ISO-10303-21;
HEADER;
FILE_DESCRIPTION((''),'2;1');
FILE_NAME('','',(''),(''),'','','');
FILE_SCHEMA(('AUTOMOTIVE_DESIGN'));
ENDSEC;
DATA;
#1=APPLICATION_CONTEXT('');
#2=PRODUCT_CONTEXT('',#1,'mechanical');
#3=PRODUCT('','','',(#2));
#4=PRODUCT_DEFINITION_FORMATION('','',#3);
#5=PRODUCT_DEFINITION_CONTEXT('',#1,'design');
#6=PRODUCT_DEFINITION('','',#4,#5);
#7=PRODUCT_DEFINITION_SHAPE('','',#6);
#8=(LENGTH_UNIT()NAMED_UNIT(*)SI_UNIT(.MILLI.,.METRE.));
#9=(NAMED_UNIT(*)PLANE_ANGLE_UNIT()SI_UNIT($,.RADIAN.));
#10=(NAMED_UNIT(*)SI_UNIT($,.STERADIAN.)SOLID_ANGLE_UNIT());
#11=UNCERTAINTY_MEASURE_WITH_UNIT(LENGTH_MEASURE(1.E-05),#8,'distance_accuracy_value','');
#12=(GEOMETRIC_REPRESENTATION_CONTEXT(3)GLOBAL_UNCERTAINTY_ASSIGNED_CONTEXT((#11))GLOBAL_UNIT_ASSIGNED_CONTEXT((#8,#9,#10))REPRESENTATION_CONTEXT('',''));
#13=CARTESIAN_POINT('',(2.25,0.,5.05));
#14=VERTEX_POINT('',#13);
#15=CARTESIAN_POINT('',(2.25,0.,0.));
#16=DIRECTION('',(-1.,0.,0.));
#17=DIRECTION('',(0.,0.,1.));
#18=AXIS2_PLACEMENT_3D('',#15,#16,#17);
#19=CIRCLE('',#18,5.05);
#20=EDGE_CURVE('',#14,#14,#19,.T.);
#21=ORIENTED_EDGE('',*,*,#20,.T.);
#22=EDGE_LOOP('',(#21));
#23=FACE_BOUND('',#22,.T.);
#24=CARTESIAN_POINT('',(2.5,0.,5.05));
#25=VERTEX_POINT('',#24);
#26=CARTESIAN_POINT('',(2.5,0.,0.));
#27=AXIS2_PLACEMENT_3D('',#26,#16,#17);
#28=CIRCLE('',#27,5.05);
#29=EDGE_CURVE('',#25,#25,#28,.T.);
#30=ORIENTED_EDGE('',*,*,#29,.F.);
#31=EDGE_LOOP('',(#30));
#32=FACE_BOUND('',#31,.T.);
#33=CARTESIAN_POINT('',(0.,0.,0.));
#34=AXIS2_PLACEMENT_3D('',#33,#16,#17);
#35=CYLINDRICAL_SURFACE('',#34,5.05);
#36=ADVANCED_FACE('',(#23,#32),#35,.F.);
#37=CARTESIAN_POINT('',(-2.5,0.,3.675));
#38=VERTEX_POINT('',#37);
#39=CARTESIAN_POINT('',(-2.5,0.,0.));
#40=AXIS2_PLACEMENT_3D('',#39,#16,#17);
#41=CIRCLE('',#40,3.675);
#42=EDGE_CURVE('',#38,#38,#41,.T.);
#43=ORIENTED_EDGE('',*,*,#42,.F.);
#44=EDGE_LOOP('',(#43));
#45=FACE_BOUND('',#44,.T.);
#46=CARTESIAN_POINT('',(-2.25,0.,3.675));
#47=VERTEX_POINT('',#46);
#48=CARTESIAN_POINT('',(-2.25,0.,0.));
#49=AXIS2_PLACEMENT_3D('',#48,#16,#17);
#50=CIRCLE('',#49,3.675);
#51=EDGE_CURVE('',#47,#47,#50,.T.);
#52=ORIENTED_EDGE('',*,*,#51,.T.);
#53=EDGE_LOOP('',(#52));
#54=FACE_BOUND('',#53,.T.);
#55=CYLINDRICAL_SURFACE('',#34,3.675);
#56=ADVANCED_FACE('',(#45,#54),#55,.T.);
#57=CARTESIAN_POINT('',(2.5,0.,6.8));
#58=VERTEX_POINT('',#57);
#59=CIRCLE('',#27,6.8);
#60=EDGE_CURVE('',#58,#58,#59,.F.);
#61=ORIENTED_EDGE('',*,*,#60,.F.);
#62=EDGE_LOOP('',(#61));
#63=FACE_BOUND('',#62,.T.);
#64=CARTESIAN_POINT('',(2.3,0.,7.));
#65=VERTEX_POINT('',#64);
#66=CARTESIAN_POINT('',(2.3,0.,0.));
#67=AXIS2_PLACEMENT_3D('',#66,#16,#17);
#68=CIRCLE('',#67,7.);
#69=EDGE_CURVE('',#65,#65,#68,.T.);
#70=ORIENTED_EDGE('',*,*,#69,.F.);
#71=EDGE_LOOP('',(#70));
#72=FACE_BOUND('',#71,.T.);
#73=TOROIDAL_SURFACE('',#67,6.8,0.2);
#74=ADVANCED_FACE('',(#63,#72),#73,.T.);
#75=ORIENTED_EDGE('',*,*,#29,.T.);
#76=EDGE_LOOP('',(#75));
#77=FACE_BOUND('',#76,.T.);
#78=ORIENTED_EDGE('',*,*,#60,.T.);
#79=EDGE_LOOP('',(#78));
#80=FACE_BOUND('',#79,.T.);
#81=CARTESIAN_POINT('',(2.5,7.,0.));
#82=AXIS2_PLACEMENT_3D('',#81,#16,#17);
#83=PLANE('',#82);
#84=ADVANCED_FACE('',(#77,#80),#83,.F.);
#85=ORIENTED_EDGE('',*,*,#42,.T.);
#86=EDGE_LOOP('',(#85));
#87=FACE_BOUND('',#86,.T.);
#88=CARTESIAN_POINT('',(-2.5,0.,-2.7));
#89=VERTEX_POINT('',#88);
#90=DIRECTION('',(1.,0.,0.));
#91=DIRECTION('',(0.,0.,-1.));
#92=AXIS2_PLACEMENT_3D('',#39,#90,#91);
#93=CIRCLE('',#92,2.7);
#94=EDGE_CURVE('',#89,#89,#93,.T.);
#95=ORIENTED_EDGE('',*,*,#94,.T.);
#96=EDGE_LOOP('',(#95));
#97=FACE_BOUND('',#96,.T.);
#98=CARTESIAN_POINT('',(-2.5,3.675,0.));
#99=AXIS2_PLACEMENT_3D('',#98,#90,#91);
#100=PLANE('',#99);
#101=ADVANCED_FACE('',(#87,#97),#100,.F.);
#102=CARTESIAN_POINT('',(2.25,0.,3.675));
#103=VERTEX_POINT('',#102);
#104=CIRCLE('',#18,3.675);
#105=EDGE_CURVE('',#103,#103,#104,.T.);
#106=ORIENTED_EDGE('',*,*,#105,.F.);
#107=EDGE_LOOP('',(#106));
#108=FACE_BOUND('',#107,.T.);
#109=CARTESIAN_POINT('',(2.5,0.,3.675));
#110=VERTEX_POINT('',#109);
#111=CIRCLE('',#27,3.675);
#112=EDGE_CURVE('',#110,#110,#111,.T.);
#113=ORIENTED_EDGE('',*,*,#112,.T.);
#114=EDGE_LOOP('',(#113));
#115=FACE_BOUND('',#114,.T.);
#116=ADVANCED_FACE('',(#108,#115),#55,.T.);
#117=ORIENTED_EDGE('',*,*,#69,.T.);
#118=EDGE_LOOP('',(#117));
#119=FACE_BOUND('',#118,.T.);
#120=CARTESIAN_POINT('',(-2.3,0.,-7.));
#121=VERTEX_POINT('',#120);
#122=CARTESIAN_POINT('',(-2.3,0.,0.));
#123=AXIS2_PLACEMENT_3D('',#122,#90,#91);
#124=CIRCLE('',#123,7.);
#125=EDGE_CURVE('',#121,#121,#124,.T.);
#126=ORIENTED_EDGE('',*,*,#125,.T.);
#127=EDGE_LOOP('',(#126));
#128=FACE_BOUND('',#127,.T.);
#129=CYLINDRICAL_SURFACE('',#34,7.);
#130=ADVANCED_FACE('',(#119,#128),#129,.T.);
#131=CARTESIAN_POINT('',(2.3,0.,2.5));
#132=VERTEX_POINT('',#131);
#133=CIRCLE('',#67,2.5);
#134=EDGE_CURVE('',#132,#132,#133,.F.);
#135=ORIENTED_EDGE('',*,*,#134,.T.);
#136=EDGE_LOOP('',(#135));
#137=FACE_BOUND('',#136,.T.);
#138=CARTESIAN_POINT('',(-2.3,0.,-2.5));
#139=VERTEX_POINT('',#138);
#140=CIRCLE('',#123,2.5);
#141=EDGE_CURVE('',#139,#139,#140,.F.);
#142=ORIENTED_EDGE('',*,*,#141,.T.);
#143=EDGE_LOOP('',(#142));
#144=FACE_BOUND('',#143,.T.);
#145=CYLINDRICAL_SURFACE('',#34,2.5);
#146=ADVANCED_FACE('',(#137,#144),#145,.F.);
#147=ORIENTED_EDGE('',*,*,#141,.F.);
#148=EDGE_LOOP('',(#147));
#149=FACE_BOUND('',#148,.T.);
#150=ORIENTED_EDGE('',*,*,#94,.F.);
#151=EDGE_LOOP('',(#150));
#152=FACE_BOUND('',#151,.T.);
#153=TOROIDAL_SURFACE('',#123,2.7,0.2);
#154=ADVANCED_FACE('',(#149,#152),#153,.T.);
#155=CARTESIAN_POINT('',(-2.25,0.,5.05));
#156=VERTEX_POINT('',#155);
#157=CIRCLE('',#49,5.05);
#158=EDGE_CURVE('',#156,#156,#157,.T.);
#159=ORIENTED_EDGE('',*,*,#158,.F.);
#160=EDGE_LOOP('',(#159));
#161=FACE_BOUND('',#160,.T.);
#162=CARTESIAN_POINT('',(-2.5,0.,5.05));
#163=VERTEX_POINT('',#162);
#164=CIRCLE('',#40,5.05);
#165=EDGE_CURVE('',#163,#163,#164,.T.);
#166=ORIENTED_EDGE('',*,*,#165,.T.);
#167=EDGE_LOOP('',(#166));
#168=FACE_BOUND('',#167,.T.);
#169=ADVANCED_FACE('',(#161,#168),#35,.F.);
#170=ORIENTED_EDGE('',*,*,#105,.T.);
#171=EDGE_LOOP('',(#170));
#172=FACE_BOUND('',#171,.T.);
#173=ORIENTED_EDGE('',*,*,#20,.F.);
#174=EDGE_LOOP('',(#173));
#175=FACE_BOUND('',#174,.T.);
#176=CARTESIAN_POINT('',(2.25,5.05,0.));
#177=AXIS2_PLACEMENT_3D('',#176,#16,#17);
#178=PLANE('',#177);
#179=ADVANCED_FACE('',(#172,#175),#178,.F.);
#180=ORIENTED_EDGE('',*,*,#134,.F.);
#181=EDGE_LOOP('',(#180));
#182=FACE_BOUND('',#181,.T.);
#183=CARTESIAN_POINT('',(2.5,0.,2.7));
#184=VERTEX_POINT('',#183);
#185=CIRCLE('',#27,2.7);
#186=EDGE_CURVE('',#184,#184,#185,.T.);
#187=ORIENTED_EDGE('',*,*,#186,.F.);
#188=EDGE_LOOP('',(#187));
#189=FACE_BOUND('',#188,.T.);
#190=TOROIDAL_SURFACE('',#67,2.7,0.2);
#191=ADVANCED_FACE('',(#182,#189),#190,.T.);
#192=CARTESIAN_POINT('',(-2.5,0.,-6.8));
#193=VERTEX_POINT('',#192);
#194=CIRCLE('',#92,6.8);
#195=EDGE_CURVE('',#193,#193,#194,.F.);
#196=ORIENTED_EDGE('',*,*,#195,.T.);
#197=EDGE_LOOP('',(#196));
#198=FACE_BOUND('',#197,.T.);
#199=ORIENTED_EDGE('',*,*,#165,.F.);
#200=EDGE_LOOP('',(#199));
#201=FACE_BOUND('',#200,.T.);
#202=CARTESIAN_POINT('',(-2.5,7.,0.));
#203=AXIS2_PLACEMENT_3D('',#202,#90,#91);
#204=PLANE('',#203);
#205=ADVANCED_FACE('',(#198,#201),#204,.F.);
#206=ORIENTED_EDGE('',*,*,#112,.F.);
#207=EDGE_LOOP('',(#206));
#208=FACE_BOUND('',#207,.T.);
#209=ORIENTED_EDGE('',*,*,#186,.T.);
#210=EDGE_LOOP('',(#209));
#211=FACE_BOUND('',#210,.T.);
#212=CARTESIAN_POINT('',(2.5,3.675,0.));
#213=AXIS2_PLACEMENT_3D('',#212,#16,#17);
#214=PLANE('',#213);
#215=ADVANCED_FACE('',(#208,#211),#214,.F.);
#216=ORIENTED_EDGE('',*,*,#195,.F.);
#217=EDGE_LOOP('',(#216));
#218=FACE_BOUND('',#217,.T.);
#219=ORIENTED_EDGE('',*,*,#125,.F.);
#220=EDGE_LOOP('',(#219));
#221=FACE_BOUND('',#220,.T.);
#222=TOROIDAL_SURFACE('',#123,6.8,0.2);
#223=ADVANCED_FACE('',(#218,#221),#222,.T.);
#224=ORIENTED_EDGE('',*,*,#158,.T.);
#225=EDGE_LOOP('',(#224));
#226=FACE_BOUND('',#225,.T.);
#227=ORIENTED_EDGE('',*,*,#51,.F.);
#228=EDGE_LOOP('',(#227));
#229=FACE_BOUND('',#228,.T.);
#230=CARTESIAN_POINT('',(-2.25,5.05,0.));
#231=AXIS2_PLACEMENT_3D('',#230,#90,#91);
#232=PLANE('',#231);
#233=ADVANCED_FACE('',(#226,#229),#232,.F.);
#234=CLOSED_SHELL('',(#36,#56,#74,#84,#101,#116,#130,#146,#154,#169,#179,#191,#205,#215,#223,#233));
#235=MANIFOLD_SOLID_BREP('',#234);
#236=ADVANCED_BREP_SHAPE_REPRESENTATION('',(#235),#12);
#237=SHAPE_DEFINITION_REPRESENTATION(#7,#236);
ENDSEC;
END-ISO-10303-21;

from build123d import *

# Parameters (mm, degrees)
FILLET_1_R = 0.2


with BuildPart() as part:
    # 草图1 → 旋转1 (revolve)
    with BuildSketch(Plane.XY, mode=Mode.PRIVATE) as revolve_1_sk:
        Polygon((-2.5, 7), (2.5, 7), (2.5, 5.05), (2.25, 5.05), (2.25, 3.675), (2.5, 3.675), (2.5, 2.5), (-2.5, 2.5), (-2.5, 3.675), (-2.25, 3.675), (-2.25, 5.05), (-2.5, 5.05), align=None)
    revolve(revolve_1_sk.sketch.rotate(Axis((0, 0, 0), (1, 0, 0)), 90), axis=Axis((0, 0, 0), (1, 0, 0)))

    # 圆角1
    fillet_1_edges = [part.edges().sort_by_distance(p)[0] for p in [
        (2.5, 0, -2.5),
        (-2.5, 0, -2.5),
        (-2.5, 0, -7),
        (2.5, 0, -7),
    ]]
    fillet(fillet_1_edges, radius=FILLET_1_R)


solid = part.part
